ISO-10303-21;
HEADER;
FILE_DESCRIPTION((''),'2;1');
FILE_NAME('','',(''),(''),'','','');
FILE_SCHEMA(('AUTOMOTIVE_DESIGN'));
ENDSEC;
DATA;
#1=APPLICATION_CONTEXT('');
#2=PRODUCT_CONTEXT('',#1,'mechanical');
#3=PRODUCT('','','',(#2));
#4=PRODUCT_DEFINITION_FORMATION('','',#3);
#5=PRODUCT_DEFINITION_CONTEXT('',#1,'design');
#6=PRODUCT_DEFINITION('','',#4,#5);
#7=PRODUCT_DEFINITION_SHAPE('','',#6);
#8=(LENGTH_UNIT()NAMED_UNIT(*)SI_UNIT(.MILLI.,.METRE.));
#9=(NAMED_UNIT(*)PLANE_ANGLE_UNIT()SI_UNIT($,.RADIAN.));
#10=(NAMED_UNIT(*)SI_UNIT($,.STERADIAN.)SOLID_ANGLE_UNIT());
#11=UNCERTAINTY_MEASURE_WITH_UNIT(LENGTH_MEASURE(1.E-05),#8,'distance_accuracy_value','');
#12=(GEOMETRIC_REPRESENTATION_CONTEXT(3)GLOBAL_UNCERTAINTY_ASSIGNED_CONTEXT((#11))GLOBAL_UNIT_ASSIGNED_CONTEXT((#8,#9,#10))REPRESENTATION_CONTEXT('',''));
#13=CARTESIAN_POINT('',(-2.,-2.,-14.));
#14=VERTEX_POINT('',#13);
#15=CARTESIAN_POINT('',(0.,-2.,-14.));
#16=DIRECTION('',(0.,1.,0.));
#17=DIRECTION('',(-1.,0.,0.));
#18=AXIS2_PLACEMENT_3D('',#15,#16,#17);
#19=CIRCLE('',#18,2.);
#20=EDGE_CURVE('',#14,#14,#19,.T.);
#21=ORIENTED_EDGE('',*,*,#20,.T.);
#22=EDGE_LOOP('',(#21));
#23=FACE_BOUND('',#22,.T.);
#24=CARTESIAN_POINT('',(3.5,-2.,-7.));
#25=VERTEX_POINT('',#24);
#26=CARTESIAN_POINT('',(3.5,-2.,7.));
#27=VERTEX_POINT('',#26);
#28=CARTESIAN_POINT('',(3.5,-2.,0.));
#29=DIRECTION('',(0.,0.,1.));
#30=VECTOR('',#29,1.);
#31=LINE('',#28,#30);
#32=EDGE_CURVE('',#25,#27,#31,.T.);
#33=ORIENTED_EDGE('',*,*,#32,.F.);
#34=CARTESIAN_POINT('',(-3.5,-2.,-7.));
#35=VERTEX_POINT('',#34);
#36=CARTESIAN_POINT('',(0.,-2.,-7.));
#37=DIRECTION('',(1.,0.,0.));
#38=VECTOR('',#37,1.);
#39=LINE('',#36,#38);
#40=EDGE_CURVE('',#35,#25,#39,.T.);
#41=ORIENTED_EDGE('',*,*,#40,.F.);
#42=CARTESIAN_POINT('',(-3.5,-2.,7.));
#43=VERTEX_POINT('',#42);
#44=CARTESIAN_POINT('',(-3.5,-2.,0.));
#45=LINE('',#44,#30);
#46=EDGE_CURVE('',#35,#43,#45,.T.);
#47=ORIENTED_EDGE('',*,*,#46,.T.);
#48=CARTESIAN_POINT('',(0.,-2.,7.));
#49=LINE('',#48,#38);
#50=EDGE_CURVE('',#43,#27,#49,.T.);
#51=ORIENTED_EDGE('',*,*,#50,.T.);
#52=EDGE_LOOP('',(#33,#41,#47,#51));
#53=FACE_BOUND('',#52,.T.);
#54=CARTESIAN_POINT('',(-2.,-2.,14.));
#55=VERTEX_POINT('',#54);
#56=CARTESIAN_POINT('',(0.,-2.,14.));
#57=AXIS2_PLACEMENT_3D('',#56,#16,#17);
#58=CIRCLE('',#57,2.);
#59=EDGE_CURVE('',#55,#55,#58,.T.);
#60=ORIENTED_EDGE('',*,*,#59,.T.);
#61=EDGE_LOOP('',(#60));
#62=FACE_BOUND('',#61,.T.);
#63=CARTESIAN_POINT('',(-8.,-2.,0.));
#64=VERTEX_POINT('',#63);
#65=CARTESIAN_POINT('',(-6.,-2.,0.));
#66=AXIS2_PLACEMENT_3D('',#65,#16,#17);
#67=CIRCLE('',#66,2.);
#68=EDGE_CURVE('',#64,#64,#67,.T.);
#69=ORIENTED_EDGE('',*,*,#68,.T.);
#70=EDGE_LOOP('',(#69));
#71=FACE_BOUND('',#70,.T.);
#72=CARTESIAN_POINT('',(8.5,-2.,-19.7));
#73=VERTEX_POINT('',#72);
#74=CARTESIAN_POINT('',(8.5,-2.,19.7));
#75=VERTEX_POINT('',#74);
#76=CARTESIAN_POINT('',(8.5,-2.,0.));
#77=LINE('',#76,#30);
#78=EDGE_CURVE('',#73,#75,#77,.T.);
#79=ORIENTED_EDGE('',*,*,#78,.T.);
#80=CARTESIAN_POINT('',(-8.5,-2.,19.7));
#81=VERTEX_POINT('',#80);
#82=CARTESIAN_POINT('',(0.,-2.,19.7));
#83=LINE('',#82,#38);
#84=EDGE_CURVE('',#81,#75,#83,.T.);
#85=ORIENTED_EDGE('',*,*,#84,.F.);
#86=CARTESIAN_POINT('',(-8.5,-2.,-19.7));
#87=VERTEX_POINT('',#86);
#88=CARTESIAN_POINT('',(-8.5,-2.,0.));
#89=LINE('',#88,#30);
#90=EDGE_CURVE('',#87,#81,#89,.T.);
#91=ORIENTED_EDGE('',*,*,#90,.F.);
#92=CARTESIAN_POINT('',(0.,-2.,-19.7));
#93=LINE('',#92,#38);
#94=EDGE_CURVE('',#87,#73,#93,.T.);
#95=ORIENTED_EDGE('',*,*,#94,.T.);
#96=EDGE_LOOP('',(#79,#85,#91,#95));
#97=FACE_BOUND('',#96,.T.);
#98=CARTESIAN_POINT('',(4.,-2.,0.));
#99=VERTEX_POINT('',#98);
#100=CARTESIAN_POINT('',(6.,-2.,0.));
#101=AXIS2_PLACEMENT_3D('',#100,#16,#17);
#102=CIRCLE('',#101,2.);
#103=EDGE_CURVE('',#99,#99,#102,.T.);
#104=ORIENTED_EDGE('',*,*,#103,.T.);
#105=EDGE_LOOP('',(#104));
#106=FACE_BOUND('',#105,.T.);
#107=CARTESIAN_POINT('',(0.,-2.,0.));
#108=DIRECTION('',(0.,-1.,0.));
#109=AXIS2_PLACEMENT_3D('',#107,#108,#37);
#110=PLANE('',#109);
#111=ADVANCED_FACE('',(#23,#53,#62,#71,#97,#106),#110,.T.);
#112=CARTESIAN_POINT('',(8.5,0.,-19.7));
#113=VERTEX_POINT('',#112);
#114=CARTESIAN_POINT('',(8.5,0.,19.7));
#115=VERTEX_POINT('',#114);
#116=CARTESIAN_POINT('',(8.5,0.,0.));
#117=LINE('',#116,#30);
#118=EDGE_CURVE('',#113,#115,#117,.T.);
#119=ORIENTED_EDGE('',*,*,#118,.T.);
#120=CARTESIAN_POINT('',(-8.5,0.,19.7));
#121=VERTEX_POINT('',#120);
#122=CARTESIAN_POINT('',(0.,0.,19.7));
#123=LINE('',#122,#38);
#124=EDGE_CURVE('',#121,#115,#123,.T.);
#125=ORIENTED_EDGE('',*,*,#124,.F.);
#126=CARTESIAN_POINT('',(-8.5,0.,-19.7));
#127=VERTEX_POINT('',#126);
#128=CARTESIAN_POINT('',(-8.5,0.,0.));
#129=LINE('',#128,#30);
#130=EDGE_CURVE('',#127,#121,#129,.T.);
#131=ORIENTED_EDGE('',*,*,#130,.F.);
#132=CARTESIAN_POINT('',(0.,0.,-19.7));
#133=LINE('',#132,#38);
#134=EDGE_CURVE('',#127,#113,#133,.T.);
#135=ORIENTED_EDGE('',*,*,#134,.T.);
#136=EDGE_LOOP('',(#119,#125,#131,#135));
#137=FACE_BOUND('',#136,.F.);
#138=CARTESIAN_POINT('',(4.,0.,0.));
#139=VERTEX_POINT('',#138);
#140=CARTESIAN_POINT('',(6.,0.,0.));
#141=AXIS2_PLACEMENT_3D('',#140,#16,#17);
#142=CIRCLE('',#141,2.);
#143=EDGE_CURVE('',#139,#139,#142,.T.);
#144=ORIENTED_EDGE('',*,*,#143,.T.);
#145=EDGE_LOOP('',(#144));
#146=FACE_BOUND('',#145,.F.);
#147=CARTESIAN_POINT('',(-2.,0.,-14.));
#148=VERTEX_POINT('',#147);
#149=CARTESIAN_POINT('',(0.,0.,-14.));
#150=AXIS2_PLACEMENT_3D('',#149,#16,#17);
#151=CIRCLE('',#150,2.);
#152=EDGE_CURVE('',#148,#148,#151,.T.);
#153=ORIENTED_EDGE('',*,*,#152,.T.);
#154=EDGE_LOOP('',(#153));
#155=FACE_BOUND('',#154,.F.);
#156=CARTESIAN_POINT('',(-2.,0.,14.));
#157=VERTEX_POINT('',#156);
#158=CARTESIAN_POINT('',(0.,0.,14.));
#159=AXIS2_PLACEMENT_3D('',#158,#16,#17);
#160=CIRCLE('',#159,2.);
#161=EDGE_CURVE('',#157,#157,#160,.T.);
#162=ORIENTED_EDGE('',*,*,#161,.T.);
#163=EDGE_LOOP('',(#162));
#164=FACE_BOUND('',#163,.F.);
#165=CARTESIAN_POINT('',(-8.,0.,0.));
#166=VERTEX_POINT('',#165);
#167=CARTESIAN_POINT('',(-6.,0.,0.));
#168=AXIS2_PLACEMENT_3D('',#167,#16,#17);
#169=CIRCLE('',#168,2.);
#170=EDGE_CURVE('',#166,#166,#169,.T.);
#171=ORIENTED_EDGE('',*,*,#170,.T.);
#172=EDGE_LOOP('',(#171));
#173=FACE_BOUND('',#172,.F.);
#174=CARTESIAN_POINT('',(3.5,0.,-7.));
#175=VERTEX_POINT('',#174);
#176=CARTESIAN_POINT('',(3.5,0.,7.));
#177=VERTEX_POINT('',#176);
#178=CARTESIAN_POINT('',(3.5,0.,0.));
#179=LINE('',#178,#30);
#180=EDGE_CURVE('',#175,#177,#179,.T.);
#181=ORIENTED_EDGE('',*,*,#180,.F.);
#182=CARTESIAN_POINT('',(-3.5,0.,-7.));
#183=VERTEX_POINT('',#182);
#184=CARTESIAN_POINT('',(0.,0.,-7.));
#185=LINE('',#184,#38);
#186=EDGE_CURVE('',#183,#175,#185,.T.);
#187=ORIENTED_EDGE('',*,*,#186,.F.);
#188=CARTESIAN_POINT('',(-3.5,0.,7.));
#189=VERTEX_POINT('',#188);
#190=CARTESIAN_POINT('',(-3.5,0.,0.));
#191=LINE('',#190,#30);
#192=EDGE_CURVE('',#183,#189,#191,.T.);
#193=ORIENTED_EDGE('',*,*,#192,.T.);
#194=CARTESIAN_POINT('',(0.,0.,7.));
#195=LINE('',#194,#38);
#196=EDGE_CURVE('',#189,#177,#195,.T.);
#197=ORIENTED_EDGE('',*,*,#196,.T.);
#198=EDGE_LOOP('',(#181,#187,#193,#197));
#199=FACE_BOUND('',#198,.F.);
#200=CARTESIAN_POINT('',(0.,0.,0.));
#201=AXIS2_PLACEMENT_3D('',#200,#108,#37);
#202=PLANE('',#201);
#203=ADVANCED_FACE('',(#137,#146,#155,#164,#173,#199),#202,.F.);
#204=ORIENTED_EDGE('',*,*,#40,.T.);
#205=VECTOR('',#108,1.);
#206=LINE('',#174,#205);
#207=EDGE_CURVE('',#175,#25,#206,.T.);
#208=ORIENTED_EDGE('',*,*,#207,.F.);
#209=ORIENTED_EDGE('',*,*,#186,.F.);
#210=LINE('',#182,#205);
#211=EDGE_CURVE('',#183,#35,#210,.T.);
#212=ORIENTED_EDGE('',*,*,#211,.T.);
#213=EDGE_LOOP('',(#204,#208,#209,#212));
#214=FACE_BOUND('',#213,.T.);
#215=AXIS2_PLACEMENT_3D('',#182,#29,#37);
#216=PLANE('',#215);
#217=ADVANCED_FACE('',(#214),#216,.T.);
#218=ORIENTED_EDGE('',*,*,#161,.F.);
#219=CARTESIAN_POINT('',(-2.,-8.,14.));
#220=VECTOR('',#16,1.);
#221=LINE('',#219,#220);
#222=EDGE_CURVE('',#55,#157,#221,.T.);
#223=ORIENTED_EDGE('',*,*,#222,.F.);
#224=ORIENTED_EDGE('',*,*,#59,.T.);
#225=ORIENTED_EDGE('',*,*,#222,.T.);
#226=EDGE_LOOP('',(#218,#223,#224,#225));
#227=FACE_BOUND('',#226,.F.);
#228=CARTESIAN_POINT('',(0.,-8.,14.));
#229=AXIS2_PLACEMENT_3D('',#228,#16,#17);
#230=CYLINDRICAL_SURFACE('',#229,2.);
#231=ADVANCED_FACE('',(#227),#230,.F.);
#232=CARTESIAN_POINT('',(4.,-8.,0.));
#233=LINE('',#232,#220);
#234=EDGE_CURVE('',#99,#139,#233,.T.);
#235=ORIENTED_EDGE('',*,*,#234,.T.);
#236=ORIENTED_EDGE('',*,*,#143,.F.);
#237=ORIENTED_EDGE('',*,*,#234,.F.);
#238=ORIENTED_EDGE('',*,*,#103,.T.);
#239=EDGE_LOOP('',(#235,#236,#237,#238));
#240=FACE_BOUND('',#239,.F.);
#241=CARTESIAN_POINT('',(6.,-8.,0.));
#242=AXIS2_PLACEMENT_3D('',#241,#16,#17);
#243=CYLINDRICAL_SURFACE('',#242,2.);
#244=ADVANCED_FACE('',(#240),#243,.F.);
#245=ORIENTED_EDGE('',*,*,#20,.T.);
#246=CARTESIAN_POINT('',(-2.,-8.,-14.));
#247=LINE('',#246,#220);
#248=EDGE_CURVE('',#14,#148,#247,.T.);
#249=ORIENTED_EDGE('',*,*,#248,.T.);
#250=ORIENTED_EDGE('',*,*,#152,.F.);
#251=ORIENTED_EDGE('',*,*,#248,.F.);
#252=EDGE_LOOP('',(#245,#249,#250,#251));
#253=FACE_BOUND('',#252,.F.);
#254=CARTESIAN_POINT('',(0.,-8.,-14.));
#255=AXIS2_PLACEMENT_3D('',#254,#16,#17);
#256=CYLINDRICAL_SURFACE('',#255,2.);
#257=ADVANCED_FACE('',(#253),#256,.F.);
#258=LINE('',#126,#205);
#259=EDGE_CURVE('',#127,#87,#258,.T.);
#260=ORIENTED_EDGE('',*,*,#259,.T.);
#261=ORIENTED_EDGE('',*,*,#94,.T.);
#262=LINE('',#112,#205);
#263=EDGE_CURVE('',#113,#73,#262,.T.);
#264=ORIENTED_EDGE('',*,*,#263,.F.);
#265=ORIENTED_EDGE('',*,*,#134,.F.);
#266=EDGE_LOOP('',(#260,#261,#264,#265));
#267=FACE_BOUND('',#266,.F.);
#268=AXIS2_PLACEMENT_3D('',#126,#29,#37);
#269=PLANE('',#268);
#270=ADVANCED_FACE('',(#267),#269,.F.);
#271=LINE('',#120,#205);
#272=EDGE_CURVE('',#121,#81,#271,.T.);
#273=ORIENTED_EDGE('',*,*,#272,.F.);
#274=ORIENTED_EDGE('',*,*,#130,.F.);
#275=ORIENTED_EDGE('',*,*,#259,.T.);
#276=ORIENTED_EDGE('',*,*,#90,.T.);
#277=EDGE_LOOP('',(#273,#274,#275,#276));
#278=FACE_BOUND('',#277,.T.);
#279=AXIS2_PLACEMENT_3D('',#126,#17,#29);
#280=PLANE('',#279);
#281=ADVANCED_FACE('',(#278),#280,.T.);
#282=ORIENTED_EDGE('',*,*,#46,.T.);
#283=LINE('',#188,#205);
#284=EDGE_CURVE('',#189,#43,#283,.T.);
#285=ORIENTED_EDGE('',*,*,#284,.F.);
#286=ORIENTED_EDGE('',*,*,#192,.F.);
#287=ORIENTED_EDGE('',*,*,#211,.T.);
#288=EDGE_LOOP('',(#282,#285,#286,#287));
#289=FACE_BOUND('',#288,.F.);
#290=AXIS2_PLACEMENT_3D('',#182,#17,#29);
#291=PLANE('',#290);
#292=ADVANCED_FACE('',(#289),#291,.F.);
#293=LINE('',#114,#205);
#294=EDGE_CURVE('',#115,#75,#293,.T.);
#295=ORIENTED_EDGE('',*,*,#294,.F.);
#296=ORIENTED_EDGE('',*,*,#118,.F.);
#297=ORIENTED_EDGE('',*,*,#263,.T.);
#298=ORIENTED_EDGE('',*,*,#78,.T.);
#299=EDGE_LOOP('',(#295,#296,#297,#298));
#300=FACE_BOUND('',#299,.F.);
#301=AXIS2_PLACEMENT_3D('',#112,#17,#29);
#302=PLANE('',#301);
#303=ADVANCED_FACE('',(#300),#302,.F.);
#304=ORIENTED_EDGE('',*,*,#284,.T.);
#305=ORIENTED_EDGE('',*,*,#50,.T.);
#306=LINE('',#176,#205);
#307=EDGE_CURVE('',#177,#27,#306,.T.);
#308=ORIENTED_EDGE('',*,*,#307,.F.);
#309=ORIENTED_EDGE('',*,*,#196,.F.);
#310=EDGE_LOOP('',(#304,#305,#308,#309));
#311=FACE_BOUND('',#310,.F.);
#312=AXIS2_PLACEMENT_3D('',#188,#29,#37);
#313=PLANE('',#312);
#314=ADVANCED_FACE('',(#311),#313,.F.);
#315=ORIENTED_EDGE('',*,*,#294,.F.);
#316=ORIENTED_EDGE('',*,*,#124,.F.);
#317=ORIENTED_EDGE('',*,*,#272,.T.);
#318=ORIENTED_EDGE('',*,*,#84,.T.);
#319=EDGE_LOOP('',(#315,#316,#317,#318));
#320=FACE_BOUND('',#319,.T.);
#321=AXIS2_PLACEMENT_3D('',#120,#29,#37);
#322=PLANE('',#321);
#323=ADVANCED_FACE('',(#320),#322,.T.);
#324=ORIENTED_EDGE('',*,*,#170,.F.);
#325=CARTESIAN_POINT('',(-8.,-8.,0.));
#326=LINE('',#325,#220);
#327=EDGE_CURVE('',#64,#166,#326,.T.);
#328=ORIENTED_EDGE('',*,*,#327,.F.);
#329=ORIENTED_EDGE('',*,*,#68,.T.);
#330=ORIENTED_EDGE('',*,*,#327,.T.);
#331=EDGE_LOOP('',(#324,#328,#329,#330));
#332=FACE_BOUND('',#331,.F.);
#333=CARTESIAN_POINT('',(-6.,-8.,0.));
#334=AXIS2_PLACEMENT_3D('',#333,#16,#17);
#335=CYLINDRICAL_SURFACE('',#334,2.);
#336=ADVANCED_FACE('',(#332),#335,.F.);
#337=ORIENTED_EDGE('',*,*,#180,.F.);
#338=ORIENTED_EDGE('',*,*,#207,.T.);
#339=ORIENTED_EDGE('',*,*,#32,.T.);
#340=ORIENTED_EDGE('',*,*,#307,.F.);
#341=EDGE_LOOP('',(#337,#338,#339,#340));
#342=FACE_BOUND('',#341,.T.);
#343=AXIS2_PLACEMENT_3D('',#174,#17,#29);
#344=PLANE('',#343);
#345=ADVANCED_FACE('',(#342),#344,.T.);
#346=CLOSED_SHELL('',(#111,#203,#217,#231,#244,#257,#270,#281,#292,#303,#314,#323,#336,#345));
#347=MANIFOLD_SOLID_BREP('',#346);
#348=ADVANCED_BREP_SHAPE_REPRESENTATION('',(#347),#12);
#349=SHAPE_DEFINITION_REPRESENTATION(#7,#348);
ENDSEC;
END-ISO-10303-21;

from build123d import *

# Parameters (mm, degrees)
F0_W     = 17
F0_H     = 39.4
F0_W_2   = 7
F0_H_2   = 14
F1_DEPTH = 2
F3_D     = 4
F3_DEPTH = 6


with BuildPart() as f1:
    # F0 (on Front) → F1 (new body)
    with BuildSketch(Plane.XZ):
        Rectangle(F0_W, F0_H)
        Rectangle(F0_W_2, F0_H_2, mode=Mode.SUBTRACT)
    extrude(amount=F1_DEPTH)

    # F3
    with Locations(Plane.XZ.offset(2)):
        with Locations((-6, 0), (6, 0), (0, 14), (0, -14)):
            Hole(F3_D / 2, depth=F3_DEPTH)


solid = f1.part
